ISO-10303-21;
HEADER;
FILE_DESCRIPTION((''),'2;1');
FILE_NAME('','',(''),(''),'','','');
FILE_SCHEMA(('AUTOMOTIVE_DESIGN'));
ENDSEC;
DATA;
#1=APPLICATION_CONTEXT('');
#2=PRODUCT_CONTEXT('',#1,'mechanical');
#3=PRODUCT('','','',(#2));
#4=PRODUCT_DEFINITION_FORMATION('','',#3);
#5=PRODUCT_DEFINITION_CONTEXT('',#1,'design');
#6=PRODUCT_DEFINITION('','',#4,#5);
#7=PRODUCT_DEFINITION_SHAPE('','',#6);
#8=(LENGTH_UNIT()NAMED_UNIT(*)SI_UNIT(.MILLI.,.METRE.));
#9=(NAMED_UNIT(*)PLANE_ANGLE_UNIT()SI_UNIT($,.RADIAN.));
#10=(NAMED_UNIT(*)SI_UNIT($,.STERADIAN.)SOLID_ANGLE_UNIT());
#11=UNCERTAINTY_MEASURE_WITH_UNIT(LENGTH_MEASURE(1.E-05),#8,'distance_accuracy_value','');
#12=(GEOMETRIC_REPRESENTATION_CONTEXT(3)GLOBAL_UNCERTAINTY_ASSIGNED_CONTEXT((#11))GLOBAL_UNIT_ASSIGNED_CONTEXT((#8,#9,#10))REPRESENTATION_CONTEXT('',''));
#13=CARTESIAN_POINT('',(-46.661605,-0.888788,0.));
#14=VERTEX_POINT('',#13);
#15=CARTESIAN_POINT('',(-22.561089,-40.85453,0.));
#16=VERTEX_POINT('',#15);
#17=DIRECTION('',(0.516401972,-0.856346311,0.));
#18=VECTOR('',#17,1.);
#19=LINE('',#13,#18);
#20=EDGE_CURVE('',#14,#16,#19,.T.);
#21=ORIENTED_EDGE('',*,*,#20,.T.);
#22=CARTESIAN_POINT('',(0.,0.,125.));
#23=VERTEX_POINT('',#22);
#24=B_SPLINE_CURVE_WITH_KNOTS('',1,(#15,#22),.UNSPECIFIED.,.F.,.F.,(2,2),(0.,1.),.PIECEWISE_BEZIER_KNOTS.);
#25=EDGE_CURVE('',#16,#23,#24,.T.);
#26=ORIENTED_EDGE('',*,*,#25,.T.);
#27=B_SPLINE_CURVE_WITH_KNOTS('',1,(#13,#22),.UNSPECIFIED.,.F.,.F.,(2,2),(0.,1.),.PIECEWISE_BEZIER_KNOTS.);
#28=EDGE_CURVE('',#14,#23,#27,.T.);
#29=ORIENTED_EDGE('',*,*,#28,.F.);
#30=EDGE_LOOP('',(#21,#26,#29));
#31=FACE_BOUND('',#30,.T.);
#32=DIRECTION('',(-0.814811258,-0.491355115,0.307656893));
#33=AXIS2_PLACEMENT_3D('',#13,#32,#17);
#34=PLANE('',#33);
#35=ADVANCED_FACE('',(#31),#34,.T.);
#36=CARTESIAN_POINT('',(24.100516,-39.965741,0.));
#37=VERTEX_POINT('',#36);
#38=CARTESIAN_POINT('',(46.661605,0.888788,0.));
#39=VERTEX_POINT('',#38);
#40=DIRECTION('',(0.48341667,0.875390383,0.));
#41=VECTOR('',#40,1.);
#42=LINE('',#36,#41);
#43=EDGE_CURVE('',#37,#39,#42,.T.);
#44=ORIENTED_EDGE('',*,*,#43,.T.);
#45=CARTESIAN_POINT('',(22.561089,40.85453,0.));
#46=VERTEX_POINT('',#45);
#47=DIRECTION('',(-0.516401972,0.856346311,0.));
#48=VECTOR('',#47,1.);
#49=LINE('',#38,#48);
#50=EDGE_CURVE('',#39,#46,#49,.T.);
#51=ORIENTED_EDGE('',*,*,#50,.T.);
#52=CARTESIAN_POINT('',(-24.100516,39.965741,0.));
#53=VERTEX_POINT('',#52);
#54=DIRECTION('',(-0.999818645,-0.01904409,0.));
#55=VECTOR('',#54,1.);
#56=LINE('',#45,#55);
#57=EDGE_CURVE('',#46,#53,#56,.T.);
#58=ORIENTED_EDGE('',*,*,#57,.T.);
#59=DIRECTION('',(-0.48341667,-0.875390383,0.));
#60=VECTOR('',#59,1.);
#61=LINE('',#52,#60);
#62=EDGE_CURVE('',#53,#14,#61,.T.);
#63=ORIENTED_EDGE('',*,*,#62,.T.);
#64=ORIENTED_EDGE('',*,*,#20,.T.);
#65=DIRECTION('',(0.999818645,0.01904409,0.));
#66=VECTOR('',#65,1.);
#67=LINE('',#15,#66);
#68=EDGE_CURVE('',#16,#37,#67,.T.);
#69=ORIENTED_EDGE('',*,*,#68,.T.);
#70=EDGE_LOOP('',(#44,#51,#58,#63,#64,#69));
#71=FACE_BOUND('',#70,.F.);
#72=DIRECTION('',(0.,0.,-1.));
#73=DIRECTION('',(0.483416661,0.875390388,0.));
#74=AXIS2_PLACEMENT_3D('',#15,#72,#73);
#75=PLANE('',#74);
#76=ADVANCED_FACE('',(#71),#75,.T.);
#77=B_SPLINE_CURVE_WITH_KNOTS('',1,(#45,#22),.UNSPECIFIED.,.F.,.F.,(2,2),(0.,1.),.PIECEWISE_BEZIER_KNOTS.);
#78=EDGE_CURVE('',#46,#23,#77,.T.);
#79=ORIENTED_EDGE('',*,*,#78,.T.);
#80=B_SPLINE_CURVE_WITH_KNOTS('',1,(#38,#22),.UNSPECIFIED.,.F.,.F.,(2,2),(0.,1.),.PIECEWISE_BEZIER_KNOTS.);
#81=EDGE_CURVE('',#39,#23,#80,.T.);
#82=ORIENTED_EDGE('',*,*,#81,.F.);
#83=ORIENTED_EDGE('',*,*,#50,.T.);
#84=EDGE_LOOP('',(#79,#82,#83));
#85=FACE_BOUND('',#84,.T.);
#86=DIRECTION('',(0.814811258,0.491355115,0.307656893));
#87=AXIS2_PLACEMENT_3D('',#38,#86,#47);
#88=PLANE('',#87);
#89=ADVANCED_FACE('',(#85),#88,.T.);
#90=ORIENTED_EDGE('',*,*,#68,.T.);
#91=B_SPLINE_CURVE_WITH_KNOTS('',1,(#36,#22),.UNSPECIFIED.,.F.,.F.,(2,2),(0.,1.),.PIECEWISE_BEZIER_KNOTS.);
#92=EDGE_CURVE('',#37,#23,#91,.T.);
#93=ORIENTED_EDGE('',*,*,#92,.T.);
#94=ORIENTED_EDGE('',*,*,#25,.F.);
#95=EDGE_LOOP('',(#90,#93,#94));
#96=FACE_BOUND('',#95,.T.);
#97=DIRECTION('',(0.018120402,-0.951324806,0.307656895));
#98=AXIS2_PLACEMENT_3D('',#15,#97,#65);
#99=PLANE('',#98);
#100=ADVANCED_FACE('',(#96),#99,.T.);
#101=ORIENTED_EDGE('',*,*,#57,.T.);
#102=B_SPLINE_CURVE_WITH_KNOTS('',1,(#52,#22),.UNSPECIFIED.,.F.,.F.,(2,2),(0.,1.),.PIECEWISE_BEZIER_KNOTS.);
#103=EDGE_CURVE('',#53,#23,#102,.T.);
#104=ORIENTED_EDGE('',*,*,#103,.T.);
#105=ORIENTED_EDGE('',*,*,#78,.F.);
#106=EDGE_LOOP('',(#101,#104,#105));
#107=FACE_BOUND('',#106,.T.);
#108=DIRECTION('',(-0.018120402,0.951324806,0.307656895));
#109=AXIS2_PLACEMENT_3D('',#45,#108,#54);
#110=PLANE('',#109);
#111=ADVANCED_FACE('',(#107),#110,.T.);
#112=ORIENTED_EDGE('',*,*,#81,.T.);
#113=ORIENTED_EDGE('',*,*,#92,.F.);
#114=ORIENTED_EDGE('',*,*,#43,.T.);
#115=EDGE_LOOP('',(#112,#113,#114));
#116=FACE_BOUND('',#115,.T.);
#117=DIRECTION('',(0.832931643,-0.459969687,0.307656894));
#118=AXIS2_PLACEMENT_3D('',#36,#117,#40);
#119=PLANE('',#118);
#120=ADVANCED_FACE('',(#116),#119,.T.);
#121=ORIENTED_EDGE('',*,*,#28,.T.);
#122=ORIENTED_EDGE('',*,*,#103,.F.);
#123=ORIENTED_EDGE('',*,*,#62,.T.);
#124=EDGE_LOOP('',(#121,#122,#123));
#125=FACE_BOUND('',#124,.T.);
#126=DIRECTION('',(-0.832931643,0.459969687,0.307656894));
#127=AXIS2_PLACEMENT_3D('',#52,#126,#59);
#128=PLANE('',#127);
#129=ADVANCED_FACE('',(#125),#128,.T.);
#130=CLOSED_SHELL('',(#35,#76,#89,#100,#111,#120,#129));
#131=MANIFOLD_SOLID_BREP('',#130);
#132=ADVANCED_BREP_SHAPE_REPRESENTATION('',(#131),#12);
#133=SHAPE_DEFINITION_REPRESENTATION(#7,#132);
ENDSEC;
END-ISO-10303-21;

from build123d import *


with BuildPart() as f3:
    # F0 (on Top) → F3 section 0
    with BuildSketch(Plane.XY, mode=Mode.PRIVATE) as f3_s0:
        Polygon((-22.561089, -40.85453), (24.100516, -39.965741), (46.661605, 0.888788), (22.561089, 40.85453), (-24.100516, 39.965741), (-46.661605, -0.888788), align=None)
    loft([f3_s0.sketch, Vertex(0, 0, 125)])


solid = f3.part
